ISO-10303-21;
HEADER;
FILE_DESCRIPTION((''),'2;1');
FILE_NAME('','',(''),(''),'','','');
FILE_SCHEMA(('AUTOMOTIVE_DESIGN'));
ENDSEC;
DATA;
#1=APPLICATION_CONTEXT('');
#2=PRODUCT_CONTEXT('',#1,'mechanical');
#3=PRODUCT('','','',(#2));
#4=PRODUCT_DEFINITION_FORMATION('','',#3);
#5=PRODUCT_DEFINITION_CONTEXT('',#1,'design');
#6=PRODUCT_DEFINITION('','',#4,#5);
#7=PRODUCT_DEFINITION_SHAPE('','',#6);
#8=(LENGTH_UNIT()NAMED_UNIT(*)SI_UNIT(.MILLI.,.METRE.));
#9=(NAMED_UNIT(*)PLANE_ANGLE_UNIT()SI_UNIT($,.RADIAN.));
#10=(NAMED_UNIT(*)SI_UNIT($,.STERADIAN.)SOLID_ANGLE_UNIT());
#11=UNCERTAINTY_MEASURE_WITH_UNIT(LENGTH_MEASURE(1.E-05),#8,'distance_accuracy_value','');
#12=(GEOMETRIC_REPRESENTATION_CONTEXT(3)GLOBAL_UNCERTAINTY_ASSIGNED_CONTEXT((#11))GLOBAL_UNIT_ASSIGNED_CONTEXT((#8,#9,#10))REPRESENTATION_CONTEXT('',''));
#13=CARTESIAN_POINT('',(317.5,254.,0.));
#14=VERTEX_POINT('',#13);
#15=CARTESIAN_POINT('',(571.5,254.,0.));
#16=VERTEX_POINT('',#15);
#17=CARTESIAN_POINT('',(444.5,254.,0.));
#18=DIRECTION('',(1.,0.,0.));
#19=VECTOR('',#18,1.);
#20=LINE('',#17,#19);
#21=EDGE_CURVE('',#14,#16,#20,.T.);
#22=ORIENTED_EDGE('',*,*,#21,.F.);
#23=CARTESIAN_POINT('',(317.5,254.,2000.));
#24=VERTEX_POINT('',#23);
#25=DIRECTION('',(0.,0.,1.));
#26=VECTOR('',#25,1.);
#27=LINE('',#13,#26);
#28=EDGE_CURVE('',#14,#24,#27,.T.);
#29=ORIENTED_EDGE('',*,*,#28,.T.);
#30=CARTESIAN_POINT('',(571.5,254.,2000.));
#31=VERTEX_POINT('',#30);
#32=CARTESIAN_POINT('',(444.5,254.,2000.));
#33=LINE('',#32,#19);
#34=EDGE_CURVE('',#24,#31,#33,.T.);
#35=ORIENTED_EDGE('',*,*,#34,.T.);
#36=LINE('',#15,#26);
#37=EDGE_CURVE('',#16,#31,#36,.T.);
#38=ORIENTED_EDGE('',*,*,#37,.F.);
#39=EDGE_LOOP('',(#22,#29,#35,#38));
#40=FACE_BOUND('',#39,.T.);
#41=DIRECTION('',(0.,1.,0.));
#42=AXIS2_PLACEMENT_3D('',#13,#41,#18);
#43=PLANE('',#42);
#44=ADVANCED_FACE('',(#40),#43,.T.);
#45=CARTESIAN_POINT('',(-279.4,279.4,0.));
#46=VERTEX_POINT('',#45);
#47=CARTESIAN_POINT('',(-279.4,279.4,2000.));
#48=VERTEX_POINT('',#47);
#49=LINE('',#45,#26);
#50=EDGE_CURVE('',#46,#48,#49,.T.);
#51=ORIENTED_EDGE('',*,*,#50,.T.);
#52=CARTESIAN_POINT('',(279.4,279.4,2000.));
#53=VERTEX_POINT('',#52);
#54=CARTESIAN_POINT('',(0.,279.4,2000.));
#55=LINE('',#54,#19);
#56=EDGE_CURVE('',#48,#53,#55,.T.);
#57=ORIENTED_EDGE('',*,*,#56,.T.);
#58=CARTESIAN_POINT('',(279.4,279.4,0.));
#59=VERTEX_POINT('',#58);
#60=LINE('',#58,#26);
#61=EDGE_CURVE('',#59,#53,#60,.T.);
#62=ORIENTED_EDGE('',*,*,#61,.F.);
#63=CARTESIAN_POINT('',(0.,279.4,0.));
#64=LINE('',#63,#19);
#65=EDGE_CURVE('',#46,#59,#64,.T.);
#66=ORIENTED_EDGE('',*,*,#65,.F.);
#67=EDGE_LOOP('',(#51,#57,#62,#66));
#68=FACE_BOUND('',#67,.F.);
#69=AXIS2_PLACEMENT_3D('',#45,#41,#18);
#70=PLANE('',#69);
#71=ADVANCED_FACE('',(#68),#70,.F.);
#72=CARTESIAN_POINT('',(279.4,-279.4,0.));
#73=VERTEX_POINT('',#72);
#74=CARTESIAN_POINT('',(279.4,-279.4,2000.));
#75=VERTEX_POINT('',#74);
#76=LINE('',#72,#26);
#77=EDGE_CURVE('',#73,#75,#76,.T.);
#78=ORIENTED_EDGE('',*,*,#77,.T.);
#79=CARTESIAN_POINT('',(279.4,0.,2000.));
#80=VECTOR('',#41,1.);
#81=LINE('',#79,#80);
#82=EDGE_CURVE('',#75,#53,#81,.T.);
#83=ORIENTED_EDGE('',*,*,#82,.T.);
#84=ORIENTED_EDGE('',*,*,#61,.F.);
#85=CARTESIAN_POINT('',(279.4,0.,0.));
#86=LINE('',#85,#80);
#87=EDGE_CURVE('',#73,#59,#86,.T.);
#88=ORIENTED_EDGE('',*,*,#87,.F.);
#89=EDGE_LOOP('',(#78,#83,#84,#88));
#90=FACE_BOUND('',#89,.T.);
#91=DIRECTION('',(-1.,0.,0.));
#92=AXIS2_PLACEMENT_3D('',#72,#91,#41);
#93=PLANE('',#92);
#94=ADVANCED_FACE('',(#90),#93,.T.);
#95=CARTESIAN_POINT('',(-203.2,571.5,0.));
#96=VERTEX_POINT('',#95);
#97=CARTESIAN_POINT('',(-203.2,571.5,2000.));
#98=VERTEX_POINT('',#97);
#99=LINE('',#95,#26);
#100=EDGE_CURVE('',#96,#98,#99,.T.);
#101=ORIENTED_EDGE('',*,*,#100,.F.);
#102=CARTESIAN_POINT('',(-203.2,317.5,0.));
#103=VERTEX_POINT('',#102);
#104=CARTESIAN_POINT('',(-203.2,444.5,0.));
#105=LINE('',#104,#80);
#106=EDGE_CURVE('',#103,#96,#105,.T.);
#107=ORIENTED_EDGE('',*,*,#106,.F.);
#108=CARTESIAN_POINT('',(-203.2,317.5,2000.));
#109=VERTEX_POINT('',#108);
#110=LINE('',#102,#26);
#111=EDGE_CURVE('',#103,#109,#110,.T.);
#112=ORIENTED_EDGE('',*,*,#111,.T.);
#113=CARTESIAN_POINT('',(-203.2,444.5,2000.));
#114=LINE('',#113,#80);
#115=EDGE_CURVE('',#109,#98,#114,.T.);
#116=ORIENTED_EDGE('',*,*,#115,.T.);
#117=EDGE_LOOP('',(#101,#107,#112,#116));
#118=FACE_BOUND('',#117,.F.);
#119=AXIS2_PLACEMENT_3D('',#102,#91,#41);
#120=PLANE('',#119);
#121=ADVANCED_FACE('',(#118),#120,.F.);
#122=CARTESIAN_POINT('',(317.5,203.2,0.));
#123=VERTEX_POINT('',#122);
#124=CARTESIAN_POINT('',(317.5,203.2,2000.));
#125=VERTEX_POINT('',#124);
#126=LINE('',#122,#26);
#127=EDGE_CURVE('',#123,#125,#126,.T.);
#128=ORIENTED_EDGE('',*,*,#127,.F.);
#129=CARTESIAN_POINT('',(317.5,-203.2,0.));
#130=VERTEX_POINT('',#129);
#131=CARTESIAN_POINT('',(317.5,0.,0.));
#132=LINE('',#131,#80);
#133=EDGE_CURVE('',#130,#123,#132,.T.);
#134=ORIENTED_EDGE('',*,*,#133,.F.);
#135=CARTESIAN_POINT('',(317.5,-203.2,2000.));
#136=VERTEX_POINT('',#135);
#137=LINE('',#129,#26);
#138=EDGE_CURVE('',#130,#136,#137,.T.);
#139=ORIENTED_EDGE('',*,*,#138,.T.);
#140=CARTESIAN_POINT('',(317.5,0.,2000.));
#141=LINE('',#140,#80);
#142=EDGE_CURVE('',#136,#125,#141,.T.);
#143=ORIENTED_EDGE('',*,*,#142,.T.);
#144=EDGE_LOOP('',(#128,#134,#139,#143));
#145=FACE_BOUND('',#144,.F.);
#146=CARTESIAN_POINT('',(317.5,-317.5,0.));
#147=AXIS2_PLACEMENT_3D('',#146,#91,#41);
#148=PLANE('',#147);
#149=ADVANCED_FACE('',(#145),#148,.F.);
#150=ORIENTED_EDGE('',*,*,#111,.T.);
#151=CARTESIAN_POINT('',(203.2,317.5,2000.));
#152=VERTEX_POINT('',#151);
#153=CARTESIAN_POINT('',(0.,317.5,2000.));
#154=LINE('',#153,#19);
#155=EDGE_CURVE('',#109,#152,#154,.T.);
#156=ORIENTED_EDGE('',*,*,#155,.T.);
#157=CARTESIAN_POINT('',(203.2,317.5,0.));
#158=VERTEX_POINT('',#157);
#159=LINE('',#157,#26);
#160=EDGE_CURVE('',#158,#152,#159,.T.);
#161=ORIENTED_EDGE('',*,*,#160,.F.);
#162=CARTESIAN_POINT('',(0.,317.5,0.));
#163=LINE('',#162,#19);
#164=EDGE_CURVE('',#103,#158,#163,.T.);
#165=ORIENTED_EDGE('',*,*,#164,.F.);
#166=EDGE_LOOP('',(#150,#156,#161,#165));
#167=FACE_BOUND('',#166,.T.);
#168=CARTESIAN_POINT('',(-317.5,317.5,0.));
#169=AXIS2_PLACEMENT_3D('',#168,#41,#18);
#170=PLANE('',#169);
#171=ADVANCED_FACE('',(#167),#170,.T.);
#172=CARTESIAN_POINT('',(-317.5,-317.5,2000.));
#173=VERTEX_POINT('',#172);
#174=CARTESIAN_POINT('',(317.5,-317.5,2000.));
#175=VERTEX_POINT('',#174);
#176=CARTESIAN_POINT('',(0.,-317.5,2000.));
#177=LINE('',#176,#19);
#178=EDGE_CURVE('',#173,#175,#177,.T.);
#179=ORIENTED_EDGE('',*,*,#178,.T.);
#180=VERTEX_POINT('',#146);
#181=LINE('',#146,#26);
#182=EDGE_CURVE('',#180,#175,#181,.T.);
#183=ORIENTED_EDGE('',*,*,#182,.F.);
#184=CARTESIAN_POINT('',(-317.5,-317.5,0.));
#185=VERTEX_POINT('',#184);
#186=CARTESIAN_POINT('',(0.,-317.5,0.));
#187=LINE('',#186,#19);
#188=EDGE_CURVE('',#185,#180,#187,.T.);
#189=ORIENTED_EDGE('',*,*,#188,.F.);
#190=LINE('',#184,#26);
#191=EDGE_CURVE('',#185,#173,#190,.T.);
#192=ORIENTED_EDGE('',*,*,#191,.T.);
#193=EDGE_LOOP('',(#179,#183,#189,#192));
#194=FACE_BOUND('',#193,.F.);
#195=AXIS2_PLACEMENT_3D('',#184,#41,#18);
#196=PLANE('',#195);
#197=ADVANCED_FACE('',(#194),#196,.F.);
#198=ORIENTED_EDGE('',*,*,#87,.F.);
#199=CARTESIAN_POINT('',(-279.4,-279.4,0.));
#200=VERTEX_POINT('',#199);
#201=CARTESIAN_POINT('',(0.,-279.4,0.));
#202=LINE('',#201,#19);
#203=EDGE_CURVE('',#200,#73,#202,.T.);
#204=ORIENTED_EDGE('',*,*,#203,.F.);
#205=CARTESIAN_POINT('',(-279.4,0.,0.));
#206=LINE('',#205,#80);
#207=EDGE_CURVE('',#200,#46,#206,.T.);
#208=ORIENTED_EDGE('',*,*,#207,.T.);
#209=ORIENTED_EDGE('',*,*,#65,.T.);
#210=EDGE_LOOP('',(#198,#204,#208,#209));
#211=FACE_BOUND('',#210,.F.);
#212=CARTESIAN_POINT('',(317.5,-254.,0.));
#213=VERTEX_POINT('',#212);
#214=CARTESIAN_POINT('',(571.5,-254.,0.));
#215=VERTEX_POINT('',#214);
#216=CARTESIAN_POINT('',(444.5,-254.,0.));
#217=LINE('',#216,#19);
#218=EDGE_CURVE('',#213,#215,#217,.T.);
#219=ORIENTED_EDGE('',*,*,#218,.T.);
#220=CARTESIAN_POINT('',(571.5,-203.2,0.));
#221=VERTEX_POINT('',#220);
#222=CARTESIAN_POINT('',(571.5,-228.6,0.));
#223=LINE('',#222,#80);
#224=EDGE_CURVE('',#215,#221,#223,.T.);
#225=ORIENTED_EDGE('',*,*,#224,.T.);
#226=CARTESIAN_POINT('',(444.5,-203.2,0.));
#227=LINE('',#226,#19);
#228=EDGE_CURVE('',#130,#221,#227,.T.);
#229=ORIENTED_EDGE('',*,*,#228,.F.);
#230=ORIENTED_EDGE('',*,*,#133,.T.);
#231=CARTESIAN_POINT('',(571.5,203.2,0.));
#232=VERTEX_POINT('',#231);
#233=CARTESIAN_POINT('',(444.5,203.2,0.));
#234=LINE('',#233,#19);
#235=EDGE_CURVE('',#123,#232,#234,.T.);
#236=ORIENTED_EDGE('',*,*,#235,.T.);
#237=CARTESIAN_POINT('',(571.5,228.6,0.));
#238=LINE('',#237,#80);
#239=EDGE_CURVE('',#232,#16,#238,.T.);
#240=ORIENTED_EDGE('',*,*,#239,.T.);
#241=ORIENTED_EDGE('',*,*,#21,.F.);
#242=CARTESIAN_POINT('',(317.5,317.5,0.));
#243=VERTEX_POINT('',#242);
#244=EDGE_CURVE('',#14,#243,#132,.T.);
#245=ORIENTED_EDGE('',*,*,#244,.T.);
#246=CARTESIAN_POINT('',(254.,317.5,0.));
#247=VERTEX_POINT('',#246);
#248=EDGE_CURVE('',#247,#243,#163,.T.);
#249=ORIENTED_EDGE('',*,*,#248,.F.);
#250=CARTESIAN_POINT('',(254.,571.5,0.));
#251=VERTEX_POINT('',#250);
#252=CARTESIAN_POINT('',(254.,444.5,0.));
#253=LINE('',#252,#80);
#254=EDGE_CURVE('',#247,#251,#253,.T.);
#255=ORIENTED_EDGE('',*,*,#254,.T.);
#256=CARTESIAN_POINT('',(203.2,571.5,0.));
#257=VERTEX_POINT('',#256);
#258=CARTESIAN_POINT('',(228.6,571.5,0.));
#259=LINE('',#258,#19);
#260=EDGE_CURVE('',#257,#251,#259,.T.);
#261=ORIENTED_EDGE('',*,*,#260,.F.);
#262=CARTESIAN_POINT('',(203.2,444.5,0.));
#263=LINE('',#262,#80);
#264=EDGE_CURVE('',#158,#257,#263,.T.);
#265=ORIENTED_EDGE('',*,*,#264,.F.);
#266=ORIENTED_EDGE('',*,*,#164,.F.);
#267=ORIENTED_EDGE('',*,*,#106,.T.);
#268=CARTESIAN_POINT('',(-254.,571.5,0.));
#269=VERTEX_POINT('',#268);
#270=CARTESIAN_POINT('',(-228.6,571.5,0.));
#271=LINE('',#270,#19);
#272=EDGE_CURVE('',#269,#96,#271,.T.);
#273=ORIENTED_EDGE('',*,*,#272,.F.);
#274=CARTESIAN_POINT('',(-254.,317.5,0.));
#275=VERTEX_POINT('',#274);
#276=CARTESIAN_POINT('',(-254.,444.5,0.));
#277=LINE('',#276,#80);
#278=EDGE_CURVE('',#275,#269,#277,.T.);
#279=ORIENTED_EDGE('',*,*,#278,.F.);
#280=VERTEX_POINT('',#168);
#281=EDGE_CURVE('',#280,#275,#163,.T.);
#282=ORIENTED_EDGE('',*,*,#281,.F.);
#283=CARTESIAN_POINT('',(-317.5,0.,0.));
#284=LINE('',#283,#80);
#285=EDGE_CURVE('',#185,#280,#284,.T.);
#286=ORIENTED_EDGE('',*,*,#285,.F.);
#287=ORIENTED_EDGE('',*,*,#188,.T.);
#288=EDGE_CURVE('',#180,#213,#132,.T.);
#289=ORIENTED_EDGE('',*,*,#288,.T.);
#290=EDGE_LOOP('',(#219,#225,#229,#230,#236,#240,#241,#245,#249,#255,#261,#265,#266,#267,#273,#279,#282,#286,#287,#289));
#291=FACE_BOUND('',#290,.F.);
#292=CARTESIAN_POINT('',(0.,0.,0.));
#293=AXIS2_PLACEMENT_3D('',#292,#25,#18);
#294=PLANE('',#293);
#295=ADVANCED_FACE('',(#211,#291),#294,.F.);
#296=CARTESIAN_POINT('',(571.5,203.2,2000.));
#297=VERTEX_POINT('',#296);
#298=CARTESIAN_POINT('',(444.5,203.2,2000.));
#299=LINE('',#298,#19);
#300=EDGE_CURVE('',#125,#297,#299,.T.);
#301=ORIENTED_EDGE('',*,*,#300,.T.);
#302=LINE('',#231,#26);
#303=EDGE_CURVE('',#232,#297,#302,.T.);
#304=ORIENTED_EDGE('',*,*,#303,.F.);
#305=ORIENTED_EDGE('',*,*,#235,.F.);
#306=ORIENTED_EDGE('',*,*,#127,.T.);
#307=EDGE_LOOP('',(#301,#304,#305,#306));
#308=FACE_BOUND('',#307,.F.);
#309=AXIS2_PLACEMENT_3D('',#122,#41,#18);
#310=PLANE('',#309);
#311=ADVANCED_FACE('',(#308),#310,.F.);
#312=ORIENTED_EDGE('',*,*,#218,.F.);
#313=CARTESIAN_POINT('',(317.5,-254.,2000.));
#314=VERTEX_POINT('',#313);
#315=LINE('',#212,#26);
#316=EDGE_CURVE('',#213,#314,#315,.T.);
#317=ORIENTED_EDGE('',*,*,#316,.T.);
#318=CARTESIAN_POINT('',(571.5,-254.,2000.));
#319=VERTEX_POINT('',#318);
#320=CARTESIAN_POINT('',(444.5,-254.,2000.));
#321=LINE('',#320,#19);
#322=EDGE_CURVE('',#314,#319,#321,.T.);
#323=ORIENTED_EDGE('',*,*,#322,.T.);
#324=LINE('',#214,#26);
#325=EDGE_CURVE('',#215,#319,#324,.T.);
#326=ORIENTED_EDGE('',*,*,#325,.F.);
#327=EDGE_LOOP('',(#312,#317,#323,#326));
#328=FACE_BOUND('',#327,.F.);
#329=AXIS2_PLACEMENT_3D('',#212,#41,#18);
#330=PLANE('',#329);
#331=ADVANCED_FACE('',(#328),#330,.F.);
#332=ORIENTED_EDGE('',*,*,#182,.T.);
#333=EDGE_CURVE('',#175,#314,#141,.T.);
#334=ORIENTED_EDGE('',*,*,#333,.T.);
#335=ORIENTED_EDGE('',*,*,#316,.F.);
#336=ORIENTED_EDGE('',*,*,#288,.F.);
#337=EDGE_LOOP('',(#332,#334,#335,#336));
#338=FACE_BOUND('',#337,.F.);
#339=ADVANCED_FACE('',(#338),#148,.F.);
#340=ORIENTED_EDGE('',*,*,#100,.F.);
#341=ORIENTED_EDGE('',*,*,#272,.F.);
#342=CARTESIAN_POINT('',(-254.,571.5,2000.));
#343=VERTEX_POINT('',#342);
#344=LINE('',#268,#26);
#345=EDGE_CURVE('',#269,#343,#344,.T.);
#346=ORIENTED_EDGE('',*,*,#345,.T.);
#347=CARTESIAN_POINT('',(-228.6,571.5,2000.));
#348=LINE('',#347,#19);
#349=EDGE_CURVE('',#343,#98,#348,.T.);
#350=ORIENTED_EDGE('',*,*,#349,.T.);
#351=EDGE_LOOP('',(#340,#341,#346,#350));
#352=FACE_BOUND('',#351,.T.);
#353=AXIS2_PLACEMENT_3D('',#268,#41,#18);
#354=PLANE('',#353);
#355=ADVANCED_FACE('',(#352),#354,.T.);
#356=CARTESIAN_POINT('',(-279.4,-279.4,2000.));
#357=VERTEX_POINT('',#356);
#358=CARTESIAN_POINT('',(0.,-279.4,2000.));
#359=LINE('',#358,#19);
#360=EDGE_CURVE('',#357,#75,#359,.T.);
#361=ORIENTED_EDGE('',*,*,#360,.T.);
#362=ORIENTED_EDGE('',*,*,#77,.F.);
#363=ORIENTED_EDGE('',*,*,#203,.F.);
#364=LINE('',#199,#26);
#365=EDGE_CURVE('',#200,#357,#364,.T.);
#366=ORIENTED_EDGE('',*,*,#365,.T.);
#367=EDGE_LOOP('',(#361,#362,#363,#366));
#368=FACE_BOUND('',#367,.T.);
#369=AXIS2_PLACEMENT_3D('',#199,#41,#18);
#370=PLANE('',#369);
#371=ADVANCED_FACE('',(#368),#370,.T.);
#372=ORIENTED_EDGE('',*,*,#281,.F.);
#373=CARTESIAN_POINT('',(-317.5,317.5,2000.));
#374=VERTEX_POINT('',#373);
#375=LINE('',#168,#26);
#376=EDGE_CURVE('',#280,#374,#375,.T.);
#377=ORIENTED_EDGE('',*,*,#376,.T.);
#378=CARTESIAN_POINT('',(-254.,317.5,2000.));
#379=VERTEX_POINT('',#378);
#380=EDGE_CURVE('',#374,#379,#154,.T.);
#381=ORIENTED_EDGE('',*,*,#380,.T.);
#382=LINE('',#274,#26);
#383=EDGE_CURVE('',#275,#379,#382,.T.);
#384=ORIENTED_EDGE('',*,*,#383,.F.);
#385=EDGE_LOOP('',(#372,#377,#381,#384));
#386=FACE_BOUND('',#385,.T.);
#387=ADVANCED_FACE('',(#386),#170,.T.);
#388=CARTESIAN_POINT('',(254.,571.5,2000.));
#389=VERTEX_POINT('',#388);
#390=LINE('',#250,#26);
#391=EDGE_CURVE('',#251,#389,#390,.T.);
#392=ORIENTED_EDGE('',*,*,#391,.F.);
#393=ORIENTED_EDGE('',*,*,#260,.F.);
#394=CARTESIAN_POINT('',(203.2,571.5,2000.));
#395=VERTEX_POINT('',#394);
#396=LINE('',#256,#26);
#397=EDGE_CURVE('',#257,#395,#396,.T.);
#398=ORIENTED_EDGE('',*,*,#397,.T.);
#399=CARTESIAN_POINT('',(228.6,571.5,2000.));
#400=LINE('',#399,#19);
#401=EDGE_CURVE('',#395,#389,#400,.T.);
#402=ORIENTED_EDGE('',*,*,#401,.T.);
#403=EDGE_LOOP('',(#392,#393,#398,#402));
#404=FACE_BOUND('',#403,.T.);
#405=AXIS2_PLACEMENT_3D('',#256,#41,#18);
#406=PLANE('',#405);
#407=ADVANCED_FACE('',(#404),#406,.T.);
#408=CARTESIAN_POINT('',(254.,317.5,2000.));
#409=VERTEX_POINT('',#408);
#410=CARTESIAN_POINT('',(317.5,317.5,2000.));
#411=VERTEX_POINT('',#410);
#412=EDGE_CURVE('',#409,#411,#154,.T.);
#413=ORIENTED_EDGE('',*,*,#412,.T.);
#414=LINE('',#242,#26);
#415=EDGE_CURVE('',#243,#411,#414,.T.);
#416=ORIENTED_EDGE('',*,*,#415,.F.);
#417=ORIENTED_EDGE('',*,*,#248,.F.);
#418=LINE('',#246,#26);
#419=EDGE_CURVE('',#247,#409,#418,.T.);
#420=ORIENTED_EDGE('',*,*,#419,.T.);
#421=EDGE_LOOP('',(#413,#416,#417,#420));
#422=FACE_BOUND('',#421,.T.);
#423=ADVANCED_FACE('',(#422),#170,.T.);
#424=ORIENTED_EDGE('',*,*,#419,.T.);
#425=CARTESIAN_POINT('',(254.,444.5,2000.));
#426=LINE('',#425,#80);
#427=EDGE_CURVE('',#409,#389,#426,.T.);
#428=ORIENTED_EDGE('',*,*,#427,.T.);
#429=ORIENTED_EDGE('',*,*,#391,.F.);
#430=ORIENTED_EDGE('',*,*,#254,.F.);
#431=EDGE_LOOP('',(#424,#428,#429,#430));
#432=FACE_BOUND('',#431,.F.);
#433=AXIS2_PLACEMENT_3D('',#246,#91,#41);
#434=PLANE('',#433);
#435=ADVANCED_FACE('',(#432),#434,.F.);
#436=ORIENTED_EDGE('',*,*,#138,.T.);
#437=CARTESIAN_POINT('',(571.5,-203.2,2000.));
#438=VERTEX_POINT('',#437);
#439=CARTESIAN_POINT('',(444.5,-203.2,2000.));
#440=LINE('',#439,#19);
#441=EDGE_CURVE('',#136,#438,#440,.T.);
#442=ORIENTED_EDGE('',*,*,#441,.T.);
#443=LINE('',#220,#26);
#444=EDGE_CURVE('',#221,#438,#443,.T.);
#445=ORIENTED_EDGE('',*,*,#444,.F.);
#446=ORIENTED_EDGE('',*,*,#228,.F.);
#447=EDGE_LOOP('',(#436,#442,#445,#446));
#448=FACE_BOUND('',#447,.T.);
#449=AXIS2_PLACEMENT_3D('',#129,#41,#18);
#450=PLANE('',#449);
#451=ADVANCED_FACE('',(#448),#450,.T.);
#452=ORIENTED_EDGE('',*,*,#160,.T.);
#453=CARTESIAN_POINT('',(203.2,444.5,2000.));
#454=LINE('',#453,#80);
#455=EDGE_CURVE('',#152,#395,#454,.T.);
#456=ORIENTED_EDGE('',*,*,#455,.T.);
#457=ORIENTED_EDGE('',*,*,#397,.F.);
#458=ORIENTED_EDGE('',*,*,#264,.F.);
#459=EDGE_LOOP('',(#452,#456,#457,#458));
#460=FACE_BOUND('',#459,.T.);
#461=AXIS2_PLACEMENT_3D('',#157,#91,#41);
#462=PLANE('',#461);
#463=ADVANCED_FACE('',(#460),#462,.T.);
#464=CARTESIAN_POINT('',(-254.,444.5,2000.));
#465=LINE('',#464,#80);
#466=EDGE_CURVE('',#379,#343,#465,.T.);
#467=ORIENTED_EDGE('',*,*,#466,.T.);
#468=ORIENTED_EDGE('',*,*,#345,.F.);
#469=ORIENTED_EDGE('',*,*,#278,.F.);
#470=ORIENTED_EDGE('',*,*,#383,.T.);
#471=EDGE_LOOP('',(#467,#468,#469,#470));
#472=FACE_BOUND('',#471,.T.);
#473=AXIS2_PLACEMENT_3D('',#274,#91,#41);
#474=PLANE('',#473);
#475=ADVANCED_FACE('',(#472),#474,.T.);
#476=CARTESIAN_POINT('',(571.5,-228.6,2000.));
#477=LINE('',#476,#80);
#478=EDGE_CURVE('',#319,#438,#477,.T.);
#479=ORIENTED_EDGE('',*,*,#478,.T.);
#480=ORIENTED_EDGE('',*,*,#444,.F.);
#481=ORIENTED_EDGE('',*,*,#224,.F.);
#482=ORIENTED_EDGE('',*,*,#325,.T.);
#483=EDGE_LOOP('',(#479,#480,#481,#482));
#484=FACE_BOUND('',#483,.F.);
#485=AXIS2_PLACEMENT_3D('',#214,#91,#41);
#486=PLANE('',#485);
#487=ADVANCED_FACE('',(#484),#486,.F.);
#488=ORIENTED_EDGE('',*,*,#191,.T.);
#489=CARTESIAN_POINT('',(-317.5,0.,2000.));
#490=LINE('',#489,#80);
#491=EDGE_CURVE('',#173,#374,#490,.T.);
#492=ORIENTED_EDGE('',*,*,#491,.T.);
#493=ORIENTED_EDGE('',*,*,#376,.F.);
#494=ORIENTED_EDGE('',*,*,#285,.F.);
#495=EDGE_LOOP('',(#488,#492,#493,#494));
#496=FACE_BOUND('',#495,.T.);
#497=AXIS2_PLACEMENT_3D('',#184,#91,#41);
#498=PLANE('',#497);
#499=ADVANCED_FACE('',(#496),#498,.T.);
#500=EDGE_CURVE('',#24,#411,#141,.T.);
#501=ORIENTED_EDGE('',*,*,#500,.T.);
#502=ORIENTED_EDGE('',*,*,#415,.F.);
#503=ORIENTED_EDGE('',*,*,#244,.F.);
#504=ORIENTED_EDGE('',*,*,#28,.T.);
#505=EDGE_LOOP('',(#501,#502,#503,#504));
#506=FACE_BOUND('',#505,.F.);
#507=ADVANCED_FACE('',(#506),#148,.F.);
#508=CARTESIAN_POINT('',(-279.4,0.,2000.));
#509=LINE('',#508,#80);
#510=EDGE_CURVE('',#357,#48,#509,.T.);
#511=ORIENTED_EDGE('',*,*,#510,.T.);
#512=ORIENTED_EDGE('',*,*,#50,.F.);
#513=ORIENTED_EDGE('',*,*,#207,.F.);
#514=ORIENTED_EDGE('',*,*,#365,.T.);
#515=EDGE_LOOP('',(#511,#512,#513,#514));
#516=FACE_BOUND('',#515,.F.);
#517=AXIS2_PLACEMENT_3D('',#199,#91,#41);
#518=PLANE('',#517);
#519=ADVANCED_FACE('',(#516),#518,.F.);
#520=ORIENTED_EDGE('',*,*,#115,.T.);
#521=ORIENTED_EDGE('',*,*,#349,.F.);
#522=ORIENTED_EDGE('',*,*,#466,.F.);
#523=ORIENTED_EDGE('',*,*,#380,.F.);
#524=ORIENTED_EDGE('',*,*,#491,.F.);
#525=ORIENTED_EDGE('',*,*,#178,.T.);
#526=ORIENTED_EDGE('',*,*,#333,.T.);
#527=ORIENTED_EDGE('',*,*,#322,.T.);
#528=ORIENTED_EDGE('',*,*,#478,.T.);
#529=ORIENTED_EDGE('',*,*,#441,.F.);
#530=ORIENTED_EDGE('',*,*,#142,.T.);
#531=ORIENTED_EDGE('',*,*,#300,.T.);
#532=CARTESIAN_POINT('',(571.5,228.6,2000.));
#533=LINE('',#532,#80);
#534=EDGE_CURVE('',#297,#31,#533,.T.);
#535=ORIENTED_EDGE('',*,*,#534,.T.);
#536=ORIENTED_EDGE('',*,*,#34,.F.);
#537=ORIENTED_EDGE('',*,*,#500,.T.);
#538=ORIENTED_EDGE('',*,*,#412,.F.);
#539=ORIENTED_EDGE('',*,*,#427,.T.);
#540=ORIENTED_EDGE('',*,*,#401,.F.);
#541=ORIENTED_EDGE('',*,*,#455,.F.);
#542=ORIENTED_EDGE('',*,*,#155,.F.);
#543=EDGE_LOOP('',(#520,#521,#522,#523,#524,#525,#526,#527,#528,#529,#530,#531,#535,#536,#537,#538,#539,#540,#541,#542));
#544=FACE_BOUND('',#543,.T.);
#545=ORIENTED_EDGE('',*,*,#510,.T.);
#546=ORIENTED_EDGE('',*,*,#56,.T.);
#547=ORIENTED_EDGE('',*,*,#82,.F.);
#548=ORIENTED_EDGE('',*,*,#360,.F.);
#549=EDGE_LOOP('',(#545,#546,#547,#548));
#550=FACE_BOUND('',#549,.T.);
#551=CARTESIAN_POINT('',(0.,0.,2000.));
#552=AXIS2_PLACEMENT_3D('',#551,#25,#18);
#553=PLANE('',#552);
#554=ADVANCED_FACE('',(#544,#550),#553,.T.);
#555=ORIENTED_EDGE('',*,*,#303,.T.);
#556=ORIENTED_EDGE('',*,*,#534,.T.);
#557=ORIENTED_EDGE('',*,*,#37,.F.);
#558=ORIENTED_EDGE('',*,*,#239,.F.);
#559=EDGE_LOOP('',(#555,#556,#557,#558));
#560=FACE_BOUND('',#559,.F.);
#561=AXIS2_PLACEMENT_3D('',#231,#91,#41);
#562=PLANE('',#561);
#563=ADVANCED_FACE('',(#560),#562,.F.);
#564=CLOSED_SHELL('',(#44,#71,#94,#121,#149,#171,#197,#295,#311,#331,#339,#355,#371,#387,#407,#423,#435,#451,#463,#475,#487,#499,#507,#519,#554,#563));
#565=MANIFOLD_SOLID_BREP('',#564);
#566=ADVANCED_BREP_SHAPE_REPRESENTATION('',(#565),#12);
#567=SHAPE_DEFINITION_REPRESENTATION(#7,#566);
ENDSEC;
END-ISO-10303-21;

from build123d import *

# Parameters (mm, degrees)
F0_W     = 635
F0_H     = 635
F0_W_2   = 558.8
F0_H_2   = 558.8
F1_DEPTH = 2000
F2_W     = 50.8
F2_H     = 254
F2_W_2   = 254
F2_H_2   = 50.8
F3_DEPTH = 2000


with BuildPart() as f1:
    # F0 (on Top) → F1 (new body)
    with BuildSketch(Plane.XY):
        Rectangle(F0_W, F0_H)
        Rectangle(F0_W_2, F0_H_2, mode=Mode.SUBTRACT)
    extrude(amount=F1_DEPTH)

    # F2 (on Top) → F3 (join, through all)
    with BuildSketch(Plane.XY):
        with Locations((-228.6, 444.5)):
            Rectangle(F2_W, F2_H)
        with Locations((228.6, 444.5)):
            Rectangle(F2_W, F2_H)
        with Locations((444.5, 228.6)):
            Rectangle(F2_W_2, F2_H_2)
        with Locations((444.5, -228.6)):
            Rectangle(F2_W_2, F2_H_2)
    extrude(amount=F3_DEPTH)


solid = f1.part
